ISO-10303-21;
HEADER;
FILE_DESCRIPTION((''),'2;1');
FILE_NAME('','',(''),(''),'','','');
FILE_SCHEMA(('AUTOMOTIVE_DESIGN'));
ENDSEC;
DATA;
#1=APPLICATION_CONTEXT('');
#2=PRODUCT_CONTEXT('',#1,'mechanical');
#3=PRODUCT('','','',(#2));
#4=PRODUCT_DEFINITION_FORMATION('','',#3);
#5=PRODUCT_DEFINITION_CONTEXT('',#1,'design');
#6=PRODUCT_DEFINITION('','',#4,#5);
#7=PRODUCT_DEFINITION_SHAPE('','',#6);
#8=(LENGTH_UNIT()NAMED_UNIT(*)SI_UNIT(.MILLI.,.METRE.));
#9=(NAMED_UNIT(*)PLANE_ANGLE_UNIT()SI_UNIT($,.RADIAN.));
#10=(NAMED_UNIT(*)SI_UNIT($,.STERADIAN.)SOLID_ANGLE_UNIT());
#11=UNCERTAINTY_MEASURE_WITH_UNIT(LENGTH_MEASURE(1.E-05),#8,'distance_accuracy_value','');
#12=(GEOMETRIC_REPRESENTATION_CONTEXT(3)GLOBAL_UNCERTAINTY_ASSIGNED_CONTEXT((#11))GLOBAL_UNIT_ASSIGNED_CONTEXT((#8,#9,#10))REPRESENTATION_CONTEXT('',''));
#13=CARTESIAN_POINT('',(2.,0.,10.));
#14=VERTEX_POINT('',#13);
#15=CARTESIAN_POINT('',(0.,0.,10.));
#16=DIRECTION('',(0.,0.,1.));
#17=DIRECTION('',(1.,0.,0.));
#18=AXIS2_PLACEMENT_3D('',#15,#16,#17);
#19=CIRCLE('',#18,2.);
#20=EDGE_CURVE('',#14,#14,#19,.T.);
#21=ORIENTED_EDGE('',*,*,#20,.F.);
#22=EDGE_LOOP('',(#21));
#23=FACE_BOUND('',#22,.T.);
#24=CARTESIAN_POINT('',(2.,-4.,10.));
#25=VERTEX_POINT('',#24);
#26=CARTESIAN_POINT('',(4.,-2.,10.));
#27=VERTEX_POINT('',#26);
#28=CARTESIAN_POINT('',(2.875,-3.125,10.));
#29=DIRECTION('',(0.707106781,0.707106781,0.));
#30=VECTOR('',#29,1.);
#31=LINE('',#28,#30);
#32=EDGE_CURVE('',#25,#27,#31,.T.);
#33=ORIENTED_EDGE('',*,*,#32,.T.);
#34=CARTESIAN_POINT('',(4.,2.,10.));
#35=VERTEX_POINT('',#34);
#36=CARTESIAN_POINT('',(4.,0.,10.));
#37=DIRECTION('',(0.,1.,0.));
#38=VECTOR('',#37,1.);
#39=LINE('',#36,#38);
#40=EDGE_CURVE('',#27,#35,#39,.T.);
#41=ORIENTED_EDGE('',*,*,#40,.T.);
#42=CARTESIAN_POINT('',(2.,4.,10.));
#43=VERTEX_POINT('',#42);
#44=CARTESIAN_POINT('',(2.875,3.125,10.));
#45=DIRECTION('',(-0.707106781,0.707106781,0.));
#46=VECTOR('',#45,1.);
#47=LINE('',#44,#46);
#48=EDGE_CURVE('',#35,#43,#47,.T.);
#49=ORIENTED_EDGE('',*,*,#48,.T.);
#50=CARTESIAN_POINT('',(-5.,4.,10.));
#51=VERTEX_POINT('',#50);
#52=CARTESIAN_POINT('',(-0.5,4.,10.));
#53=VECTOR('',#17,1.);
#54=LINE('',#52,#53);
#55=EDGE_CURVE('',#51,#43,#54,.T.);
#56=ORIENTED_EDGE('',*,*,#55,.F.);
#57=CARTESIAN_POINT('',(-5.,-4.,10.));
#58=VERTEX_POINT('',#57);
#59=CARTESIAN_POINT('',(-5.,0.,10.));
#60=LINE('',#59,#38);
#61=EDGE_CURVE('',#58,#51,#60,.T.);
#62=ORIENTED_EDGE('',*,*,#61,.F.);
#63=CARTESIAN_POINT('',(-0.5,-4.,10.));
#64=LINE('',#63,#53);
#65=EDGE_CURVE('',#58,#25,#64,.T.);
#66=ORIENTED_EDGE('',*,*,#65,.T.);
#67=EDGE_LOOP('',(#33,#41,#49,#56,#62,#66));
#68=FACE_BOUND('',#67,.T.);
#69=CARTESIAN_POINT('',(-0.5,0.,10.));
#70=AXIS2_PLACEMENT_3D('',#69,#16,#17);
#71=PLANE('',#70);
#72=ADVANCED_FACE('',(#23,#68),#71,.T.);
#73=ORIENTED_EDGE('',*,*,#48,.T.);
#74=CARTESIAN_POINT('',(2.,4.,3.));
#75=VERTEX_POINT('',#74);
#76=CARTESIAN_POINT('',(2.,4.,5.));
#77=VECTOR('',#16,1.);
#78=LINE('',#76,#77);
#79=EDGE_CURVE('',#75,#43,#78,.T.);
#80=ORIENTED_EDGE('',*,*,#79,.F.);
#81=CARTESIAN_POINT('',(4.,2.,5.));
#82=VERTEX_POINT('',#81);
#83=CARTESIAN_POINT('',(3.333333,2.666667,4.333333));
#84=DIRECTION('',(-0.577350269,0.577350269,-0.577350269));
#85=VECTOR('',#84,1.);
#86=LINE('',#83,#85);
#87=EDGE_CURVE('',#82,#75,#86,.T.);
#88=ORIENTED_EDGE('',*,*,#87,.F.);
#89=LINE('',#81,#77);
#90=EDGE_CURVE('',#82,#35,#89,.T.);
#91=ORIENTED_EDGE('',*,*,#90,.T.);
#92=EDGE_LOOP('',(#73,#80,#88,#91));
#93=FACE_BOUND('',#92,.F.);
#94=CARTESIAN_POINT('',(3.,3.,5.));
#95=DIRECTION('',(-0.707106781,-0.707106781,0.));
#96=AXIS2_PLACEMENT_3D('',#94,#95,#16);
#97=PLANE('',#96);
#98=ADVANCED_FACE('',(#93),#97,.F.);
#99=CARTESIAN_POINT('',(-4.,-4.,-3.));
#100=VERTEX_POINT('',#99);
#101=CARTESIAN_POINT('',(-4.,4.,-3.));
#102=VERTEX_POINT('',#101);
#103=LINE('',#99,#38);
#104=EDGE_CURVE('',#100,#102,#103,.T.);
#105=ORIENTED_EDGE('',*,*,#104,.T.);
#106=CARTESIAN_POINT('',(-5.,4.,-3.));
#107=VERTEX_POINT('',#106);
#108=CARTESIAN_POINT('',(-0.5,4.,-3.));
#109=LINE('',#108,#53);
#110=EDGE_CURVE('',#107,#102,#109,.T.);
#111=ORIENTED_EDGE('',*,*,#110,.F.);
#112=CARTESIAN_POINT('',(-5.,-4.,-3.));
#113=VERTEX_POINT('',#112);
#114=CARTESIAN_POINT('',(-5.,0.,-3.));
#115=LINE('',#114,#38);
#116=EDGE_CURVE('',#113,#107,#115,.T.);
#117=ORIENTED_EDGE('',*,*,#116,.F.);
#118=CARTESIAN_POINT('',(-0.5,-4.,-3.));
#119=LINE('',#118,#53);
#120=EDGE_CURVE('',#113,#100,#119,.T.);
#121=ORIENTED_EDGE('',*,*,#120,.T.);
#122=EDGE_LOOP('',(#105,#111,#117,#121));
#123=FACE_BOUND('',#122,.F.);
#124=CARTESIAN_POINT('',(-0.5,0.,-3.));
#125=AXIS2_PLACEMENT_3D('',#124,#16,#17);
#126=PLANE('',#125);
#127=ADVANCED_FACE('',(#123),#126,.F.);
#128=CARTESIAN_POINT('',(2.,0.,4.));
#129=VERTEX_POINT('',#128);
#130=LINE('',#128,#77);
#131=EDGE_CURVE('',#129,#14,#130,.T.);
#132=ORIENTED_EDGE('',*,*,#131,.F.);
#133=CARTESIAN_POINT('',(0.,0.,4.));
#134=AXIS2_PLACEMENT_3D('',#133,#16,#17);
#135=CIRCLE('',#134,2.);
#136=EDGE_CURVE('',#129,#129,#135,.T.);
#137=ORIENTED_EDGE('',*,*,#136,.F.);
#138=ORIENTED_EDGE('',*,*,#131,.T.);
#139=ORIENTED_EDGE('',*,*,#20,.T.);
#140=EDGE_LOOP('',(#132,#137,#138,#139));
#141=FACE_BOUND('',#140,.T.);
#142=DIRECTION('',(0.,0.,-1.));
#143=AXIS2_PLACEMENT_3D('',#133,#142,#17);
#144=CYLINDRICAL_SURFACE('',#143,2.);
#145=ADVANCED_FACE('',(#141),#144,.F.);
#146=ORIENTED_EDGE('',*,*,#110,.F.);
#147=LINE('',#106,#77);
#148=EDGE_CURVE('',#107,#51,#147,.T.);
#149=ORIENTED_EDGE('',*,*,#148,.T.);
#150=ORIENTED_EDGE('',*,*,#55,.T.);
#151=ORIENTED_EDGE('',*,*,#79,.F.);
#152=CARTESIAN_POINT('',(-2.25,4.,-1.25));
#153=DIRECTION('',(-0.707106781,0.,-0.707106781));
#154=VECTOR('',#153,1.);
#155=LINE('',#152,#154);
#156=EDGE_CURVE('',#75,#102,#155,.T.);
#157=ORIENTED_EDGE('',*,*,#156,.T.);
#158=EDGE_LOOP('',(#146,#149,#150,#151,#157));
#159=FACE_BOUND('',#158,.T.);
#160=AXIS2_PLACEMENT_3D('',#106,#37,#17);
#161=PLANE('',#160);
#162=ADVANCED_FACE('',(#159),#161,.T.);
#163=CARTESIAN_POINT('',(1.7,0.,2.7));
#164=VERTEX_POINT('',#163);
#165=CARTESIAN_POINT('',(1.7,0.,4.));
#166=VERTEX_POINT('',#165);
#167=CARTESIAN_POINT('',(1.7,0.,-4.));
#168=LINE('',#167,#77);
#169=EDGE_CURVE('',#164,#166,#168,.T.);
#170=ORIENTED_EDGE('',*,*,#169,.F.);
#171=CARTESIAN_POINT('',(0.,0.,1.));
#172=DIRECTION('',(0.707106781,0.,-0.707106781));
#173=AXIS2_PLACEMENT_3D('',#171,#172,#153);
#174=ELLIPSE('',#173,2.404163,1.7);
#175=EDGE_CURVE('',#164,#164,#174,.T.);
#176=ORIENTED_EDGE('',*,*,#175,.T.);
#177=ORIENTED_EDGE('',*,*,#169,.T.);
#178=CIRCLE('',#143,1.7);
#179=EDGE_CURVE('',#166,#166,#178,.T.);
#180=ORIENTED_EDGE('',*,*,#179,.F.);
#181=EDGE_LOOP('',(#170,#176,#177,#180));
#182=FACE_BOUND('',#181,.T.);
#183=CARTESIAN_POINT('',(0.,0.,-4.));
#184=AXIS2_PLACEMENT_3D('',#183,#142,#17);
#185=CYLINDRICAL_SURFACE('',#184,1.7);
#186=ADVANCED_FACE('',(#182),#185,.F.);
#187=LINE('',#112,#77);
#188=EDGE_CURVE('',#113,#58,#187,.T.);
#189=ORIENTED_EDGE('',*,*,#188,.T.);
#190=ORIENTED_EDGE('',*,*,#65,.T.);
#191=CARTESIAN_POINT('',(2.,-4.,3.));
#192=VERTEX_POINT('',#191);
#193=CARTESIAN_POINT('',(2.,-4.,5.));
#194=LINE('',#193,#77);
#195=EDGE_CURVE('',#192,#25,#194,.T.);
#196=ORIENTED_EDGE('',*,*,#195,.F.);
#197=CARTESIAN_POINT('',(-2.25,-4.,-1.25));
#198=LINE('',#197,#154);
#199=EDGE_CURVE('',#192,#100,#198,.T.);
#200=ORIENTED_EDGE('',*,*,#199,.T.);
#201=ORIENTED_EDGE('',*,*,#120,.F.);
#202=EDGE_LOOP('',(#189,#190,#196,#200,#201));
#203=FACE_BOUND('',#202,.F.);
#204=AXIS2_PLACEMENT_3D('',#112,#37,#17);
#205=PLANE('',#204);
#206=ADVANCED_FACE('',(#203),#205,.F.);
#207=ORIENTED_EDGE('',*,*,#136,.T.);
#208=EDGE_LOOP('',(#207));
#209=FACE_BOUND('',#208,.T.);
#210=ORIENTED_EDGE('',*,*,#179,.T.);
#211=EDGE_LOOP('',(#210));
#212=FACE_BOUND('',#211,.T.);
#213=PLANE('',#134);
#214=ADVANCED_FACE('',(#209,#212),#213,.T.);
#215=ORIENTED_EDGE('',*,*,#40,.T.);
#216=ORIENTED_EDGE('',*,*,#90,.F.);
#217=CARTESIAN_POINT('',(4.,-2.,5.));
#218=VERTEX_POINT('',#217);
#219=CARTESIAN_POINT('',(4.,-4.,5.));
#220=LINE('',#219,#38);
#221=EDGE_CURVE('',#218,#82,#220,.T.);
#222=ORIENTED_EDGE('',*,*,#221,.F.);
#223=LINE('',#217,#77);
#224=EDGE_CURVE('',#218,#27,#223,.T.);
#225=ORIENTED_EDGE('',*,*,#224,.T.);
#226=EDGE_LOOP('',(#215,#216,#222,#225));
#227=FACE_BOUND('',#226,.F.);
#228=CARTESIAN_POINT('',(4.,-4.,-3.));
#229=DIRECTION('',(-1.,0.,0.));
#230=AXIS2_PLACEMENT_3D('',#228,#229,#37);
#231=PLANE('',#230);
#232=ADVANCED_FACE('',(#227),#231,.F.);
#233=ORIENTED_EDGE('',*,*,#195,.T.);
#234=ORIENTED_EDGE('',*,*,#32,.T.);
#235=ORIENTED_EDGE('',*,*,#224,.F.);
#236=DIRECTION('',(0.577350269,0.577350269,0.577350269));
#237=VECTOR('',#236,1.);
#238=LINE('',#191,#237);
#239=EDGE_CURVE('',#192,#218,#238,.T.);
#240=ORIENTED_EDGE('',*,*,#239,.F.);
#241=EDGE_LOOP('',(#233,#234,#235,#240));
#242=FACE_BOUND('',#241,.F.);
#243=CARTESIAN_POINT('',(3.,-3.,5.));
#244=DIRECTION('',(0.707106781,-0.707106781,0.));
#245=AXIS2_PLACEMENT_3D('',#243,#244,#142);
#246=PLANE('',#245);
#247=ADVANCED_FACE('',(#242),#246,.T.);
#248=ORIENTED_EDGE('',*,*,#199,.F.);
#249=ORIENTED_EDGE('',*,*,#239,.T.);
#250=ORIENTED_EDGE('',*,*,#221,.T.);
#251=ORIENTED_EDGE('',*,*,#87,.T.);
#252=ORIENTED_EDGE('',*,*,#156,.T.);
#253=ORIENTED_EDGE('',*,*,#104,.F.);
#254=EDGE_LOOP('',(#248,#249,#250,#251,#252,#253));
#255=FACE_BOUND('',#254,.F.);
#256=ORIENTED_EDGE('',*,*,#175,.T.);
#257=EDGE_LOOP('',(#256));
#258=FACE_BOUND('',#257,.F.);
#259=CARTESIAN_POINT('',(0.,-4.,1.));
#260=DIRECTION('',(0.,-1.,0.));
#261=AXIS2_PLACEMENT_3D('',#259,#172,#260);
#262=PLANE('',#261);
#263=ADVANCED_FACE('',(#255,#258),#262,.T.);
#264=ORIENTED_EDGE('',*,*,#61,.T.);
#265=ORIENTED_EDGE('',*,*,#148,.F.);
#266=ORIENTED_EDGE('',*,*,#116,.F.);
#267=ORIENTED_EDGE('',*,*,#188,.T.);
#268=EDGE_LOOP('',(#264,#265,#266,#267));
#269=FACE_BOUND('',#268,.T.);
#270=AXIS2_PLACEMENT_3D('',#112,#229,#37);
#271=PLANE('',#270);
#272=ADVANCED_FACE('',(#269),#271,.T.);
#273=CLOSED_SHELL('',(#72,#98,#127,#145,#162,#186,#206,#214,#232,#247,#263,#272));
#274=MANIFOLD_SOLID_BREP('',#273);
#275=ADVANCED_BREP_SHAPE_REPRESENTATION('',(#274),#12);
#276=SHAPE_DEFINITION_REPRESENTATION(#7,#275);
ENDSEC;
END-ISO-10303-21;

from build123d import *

# Parameters (mm, degrees)
CYLINDER020_R     = 2
CYLINDER020_DEPTH = 6
CYLINDER021_R     = 1.7
CYLINDER021_DEPTH = 10
BOX017_W          = 9
BOX017_H          = 8
BOX017_DEPTH      = 13
CHAMFER_SIZE      = 8
CHAMFER001_SIZE   = 2


with BuildPart() as cylinder020:
    # Cylinder020 → Cylinder020 (new body)
    with BuildSketch(Plane.XY.offset(4)):
        Circle(CYLINDER020_R)
    extrude(amount=CYLINDER020_DEPTH)


with BuildPart() as fusion010004007012:
    # Cylinder021 → Cylinder021 (new body)
    with BuildSketch(Plane.XY.offset(-4)):
        Circle(CYLINDER021_R)
    extrude(amount=CYLINDER021_DEPTH)

    # Fusion010004007012: union Cylinder020
    add(cylinder020.part)


with BuildPart() as case_bolt:
    # Box017 → Box017 (new body)
    with BuildSketch(Plane(origin=(-5, -4, -3), x_dir=(1, 0, 0), z_dir=(0, 0, 1))):
        with Locations((4.5, 4)):
            Rectangle(BOX017_W, BOX017_H)
    extrude(amount=BOX017_DEPTH)

    # Chamfer
    chamfer_edges = [case_bolt.edges().sort_by_distance(p)[0] for p in [
        (4, 0, -3),
    ]]
    chamfer(chamfer_edges, length=CHAMFER_SIZE)

    # Chamfer001
    chamfer001_edges = [case_bolt.edges().sort_by_distance(p)[0] for p in [
        (4, -4, 7.5),
        (4, 4, 7.5),
    ]]
    chamfer(chamfer001_edges, length=CHAMFER001_SIZE)

    # Cut003002006: cut Fusion010004007012
    add(fusion010004007012.part, mode=Mode.SUBTRACT)


solid = case_bolt.part
